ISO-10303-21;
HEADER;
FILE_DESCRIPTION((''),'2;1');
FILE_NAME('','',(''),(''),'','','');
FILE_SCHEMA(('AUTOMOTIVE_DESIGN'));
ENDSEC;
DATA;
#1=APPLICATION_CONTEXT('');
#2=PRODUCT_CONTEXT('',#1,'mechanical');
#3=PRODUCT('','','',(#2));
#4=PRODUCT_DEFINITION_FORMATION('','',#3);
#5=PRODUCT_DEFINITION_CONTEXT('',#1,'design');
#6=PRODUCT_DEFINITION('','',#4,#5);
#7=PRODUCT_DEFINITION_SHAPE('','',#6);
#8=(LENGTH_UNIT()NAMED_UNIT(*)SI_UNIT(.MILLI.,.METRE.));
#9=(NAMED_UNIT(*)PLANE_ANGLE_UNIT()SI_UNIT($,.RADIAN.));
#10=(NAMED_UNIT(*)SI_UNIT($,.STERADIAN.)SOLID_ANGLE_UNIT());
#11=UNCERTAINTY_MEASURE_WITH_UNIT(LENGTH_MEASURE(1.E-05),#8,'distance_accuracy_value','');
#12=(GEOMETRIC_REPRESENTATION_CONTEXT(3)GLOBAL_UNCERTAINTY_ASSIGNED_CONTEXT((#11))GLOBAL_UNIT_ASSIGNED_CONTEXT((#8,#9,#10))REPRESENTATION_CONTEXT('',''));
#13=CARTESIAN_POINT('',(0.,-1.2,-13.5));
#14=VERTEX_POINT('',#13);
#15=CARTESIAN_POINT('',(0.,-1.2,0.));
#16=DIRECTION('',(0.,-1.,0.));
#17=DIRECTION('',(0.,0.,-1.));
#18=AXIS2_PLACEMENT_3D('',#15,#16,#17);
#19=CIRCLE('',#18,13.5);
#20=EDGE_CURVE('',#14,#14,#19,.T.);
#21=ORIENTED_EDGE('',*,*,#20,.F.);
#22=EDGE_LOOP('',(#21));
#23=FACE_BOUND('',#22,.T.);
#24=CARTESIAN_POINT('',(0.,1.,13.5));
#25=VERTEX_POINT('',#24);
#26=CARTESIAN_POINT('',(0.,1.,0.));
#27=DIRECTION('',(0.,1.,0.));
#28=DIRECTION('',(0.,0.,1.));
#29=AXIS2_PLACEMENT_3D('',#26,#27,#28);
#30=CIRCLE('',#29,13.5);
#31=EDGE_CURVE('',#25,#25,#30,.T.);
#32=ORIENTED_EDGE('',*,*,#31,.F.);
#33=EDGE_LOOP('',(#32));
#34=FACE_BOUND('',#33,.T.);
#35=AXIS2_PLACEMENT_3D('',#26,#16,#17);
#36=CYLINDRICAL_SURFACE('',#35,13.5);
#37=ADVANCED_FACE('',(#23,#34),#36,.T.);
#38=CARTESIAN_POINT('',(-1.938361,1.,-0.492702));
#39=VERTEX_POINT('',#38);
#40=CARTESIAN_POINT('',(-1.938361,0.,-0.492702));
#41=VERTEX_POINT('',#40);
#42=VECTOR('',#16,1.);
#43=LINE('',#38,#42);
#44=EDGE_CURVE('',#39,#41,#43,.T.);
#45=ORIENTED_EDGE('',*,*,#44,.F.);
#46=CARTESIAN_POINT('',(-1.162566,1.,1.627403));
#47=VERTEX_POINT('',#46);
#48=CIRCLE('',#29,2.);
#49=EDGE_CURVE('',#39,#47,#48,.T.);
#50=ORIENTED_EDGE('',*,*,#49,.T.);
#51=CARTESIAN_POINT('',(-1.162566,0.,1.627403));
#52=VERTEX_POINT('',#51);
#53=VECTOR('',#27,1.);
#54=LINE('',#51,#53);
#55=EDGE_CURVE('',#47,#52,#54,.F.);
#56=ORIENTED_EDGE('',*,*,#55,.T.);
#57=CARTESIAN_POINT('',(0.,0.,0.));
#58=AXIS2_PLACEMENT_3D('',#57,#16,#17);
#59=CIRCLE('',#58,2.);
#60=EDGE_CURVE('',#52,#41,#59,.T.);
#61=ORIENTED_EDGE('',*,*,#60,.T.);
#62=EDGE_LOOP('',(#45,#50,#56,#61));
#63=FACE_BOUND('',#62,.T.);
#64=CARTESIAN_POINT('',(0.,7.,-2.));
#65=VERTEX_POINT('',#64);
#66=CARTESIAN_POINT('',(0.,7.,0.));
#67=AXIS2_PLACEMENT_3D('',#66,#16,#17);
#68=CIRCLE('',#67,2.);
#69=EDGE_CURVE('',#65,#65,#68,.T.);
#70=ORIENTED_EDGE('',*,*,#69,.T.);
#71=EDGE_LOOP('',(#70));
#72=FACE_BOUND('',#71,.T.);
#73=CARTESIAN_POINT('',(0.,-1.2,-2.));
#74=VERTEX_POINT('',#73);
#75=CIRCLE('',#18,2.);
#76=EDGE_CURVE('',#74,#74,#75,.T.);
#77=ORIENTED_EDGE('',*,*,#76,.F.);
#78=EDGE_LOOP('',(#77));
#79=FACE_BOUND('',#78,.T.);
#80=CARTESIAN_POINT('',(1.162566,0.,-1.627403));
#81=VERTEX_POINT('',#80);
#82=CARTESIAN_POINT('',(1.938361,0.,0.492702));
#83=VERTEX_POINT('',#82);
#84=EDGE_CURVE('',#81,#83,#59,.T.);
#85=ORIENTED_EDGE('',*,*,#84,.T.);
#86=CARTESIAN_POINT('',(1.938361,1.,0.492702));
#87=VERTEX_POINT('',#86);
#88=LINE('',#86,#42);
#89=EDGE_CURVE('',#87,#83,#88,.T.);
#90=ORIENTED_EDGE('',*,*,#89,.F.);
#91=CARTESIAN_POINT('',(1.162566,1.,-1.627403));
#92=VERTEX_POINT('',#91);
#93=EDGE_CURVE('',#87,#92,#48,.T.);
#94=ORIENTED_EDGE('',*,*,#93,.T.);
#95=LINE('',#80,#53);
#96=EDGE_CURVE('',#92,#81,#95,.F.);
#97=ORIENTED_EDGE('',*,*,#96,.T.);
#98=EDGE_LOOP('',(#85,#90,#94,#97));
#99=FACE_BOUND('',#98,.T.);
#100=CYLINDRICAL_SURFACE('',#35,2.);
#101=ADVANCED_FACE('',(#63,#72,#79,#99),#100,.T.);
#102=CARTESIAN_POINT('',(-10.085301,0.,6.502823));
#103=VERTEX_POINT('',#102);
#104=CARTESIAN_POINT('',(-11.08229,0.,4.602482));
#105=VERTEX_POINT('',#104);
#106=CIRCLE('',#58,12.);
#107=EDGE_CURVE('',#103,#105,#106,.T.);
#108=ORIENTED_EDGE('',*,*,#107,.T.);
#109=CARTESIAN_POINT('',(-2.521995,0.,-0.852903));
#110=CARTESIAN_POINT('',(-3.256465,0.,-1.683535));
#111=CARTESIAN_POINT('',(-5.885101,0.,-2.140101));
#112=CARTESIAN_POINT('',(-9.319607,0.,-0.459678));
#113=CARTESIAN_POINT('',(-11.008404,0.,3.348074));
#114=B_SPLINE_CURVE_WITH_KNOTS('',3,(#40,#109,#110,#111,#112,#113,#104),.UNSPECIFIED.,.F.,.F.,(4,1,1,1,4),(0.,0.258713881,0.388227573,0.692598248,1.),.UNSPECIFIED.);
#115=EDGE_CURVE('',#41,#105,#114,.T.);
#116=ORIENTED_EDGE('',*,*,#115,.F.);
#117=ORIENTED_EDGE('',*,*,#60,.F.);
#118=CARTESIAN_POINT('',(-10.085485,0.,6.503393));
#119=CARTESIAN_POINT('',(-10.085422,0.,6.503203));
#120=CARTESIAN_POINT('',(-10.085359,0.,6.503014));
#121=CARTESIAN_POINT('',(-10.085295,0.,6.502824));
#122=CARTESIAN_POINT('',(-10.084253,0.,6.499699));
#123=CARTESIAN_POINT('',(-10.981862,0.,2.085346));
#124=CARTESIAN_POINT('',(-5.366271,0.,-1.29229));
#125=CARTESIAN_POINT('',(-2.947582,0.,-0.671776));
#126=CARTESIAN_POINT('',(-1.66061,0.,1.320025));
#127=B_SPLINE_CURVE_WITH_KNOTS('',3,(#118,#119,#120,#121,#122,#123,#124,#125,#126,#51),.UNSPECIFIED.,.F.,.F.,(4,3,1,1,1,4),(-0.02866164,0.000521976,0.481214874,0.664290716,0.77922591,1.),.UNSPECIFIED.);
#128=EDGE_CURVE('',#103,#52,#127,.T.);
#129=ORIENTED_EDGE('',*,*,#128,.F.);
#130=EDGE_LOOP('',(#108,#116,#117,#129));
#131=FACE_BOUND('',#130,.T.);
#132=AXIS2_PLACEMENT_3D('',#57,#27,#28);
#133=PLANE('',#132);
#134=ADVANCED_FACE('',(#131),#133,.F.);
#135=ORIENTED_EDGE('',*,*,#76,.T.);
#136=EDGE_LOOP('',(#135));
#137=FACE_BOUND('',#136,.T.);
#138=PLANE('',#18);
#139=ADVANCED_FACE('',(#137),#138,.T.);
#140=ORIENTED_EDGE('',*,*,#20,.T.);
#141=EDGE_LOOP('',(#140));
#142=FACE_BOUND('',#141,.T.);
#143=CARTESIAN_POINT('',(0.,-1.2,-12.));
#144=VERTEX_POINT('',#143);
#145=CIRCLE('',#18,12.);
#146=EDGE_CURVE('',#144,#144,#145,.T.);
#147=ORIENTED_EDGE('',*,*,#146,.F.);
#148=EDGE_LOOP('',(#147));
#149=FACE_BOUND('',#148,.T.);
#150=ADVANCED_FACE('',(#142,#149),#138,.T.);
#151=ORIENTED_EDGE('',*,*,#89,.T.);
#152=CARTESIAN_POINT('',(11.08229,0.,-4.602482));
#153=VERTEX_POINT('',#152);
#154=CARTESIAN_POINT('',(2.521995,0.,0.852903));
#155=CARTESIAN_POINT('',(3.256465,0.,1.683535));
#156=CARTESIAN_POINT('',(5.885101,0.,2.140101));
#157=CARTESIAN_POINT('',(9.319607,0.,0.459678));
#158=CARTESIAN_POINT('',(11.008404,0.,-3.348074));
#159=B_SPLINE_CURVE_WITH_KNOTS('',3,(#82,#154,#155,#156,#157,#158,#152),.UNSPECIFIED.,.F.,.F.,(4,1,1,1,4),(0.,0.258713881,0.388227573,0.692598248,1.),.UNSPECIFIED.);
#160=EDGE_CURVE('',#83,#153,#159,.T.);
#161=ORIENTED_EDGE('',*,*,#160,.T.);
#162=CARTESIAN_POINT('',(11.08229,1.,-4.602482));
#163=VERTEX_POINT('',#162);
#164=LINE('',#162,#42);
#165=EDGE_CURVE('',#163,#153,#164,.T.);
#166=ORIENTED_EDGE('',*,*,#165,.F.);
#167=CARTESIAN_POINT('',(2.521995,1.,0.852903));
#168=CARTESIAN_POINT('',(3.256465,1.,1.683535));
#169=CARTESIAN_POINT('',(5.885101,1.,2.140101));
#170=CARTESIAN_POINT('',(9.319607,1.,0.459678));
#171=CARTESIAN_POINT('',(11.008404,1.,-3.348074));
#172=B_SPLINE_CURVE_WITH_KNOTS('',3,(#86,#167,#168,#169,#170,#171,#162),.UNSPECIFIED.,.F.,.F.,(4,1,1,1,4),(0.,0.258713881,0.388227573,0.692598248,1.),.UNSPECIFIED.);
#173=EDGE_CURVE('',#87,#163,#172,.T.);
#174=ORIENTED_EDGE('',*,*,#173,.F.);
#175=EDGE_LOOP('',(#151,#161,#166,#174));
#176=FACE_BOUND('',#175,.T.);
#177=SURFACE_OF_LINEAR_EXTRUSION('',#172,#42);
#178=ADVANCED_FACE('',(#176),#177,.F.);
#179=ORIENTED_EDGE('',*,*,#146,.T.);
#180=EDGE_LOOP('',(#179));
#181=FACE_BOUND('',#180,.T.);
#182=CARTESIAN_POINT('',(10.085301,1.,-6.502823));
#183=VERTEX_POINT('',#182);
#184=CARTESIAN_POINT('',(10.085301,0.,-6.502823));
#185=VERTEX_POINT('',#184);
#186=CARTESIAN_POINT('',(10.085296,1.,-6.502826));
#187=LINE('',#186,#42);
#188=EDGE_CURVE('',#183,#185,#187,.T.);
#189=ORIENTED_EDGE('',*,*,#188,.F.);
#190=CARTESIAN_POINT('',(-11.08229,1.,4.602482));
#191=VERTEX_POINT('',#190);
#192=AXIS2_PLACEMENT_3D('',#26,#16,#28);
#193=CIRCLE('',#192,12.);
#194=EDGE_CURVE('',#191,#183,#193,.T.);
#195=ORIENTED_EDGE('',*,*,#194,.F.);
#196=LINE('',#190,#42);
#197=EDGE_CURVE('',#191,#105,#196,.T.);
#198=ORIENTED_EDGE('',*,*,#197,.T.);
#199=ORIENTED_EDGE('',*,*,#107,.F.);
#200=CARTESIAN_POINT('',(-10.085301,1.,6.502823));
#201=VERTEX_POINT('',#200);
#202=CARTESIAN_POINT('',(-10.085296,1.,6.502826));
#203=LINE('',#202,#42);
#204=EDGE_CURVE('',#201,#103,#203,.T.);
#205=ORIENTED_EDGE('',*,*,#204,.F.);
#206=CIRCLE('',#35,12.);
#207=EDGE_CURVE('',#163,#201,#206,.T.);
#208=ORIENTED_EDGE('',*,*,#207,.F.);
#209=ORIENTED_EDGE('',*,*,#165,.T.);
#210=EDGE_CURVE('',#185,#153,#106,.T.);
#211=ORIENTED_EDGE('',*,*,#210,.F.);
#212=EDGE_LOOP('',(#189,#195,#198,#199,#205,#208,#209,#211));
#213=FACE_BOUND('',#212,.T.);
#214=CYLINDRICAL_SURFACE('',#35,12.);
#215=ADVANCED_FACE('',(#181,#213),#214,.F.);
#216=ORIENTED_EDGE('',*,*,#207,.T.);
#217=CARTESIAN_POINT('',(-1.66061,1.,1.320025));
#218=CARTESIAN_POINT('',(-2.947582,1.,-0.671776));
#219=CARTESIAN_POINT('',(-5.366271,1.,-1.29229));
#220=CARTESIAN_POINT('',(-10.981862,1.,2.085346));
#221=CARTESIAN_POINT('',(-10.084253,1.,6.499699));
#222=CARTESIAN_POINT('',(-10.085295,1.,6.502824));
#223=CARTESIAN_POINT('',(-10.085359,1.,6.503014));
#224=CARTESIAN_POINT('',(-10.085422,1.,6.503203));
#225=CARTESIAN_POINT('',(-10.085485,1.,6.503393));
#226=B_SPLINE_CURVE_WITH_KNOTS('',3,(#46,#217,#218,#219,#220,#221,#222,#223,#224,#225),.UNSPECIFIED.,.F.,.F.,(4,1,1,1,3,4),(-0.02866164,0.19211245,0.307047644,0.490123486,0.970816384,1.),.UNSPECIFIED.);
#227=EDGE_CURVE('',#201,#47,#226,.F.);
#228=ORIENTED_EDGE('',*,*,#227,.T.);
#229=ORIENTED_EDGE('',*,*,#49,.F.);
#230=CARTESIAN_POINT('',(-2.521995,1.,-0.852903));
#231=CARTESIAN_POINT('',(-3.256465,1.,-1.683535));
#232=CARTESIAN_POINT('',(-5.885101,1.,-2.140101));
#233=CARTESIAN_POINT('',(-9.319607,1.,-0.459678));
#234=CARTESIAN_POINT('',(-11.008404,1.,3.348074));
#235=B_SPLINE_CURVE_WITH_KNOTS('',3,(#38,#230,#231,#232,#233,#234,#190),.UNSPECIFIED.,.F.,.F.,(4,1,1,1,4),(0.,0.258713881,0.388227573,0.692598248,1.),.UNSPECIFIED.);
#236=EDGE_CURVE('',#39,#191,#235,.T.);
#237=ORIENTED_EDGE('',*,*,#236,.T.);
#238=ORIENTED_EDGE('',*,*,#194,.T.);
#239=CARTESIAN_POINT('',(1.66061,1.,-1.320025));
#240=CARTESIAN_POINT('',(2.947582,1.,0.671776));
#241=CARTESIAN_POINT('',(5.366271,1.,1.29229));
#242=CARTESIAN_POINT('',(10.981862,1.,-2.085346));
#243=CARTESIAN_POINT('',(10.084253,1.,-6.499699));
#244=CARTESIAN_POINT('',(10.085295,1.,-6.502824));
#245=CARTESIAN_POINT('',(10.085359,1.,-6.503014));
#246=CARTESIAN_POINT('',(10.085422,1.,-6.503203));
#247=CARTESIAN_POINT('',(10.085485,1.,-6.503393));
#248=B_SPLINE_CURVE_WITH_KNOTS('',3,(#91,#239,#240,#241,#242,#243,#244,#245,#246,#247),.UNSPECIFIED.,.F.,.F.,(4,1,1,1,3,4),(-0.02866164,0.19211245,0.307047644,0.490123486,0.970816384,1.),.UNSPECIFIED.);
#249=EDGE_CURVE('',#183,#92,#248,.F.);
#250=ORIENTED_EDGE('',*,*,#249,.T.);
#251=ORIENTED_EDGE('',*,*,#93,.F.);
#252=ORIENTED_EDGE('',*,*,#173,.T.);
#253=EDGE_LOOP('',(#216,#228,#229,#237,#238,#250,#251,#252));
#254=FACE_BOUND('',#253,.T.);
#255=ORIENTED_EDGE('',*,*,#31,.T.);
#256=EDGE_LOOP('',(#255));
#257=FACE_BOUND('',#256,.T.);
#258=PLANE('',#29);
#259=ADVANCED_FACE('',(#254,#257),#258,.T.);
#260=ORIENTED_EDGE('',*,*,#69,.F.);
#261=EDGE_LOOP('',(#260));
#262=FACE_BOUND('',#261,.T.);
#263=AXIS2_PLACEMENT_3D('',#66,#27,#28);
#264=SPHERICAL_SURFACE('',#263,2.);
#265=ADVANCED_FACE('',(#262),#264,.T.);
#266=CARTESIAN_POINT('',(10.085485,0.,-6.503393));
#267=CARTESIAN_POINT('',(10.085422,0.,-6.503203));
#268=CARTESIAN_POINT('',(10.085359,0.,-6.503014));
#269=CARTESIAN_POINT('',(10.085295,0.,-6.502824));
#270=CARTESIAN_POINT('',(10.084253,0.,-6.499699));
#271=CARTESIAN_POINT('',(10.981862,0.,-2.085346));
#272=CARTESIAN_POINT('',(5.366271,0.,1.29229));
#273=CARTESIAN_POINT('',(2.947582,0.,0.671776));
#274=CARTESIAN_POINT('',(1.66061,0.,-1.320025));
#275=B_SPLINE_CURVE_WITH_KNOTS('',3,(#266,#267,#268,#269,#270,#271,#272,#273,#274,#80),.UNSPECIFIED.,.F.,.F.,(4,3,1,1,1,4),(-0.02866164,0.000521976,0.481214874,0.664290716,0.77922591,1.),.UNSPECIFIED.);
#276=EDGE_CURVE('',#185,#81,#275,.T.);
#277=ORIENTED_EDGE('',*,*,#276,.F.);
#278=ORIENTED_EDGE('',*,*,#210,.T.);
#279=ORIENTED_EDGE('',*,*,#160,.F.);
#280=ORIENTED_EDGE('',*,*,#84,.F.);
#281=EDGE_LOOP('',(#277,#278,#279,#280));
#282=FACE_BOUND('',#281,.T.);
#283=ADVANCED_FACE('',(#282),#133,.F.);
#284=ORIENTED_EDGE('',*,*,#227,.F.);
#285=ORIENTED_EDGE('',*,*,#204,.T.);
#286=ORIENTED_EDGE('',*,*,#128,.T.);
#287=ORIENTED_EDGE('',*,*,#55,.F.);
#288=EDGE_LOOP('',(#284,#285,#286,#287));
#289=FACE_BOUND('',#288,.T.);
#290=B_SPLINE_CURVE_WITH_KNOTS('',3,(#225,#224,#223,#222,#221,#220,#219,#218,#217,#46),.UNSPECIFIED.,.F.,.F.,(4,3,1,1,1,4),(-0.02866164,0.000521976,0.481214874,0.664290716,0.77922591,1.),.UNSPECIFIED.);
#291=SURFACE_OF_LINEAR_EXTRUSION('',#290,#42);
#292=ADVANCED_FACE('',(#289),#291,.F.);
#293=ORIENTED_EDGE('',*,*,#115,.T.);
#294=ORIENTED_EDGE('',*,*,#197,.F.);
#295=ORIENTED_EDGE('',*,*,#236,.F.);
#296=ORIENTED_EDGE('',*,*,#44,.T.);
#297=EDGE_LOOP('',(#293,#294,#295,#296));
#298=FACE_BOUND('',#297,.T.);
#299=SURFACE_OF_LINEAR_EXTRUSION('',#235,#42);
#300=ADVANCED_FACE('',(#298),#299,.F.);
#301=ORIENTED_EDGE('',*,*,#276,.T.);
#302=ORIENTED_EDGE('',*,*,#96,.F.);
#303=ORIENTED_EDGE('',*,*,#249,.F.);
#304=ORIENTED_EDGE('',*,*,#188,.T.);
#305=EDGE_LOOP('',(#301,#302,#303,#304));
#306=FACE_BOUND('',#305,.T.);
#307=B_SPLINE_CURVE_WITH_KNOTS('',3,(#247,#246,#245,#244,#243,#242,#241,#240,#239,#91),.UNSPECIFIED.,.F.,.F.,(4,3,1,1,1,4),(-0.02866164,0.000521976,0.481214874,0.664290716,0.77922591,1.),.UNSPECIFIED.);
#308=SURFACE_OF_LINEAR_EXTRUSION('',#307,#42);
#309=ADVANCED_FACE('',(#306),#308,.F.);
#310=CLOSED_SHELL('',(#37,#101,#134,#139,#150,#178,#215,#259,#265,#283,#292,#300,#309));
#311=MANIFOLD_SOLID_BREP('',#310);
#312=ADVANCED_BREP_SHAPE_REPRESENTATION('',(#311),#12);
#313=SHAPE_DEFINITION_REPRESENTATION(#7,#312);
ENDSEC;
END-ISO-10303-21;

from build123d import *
from build123d.topology import SkipClean

# Parameters (mm, degrees)
SALIENTE_EXTRUIR1_DEPTH = 1
MATRIZC1_COUNT          = 2
CROQUIS2_R              = 2
SALIENTE_EXTRUIR2_DEPTH = 8
REDONDEO1_R             = 2
SALIENTE_EXTRUIR3_START = 1.2
CROQUIS3_R              = 13.5
CROQUIS3_R_2            = 12
SALIENTE_EXTRUIR3_DEPTH = 1.2
SALIENTE_EXTRUIR4_START = 1.2
CROQUIS4_R              = 2
SALIENTE_EXTRUIR4_DEPTH = 1.2


with BuildPart() as part:
    # Croquis1 → Saliente-Extruir1 (new body)
    with BuildSketch(Plane(origin=(0, 0, 0), x_dir=(1, 0, 0), z_dir=(0, 1, 0))):
        with BuildLine():
            Line((0, 13.5), (0, 12))
            ThreePointArc((0, 12), (-9.980726138, 6.662214779), (-11.082290197, -4.602482373))
            add(Edge.make_bspline(
                [(-11.082290197, -4.602482373), (-11.00840419, -3.348074009), (-9.319606871, 0.45967832), (-5.885100929, 2.140100591), (-3.256465409, 1.683534759), (-2.521994609, 0.852903354), (-1.938361352, 0.49270201)],
                knots=[0, 0, 0, 0, 0.307401752, 0.611772427, 0.741286119, 1, 1, 1, 1], degree=3))
            ThreePointArc((-1.938361352, 0.49270201), (-1.227720648, 1.578829316), (0, 2))
            Line((0, 2), (0, -2))
            ThreePointArc((0, -2), (-0.610407114, -1.904574271), (-1.162565685, -1.627403155))
            add(Edge.make_bspline(
                [(-10.085301, -6.502822752), (-10.082838156, -6.506642403), (-10.985626663, -2.087609579), (-5.366270818, 1.292290157), (-2.947582336, 0.671775941), (-1.66061048, -1.320024502), (-1.162565685, -1.627403155)],
                knots=[0, 0, 0, 0, 0.481214874, 0.664290716, 0.77922591, 1, 1, 1, 1], degree=3))
            ThreePointArc((-10.085301, -6.502822752), (-5.743088323, -10.536457493), (0, -12))
            Line((0, -12), (0, -13.5))
            ThreePointArc((0, -13.5), (-13.5, 0), (0, 13.5))
        make_face()
    saliente_extruir1 = extrude(amount=SALIENTE_EXTRUIR1_DEPTH)

    # MatrizC1: Saliente-Extruir1 ×2 about axis
    matrizc1_axis = Axis((0, 1.05, 0), (0, -1, 0))
    for i in range(1, MATRIZC1_COUNT):
        add(saliente_extruir1.rotate(matrizc1_axis, i * 360 / MATRIZC1_COUNT))

    # Croquis2 → Saliente-Extruir2 (add)
    with BuildSketch(Plane(origin=(0, 1, 0), x_dir=(1, 0, 0), z_dir=(0, 1, 0))):
        Circle(CROQUIS2_R)
    extrude(amount=SALIENTE_EXTRUIR2_DEPTH)

    # Redondeo1
    redondeo1_edges = [part.edges().sort_by_distance(p)[0] for p in [
        (-2, 9, 0),
    ]]
    fillet(redondeo1_edges, radius=REDONDEO1_R)

    # Croquis3 → Saliente-Extruir3 (add)
    with SkipClean():  # the faces are left unmerged after this step: merging them gives an invalid solid
        with BuildSketch(Plane.XZ.offset(SALIENTE_EXTRUIR3_START)):
            Circle(CROQUIS3_R)
            Circle(CROQUIS3_R_2, mode=Mode.SUBTRACT)
        extrude(amount=-SALIENTE_EXTRUIR3_DEPTH)

    # Croquis4 → Saliente-Extruir4 (add)
    with SkipClean():  # the faces are left unmerged after this step: merging them gives an invalid solid
        with BuildSketch(Plane.XZ.offset(SALIENTE_EXTRUIR4_START)):
            Circle(CROQUIS4_R)
        extrude(amount=-SALIENTE_EXTRUIR4_DEPTH)


solid = part.part
